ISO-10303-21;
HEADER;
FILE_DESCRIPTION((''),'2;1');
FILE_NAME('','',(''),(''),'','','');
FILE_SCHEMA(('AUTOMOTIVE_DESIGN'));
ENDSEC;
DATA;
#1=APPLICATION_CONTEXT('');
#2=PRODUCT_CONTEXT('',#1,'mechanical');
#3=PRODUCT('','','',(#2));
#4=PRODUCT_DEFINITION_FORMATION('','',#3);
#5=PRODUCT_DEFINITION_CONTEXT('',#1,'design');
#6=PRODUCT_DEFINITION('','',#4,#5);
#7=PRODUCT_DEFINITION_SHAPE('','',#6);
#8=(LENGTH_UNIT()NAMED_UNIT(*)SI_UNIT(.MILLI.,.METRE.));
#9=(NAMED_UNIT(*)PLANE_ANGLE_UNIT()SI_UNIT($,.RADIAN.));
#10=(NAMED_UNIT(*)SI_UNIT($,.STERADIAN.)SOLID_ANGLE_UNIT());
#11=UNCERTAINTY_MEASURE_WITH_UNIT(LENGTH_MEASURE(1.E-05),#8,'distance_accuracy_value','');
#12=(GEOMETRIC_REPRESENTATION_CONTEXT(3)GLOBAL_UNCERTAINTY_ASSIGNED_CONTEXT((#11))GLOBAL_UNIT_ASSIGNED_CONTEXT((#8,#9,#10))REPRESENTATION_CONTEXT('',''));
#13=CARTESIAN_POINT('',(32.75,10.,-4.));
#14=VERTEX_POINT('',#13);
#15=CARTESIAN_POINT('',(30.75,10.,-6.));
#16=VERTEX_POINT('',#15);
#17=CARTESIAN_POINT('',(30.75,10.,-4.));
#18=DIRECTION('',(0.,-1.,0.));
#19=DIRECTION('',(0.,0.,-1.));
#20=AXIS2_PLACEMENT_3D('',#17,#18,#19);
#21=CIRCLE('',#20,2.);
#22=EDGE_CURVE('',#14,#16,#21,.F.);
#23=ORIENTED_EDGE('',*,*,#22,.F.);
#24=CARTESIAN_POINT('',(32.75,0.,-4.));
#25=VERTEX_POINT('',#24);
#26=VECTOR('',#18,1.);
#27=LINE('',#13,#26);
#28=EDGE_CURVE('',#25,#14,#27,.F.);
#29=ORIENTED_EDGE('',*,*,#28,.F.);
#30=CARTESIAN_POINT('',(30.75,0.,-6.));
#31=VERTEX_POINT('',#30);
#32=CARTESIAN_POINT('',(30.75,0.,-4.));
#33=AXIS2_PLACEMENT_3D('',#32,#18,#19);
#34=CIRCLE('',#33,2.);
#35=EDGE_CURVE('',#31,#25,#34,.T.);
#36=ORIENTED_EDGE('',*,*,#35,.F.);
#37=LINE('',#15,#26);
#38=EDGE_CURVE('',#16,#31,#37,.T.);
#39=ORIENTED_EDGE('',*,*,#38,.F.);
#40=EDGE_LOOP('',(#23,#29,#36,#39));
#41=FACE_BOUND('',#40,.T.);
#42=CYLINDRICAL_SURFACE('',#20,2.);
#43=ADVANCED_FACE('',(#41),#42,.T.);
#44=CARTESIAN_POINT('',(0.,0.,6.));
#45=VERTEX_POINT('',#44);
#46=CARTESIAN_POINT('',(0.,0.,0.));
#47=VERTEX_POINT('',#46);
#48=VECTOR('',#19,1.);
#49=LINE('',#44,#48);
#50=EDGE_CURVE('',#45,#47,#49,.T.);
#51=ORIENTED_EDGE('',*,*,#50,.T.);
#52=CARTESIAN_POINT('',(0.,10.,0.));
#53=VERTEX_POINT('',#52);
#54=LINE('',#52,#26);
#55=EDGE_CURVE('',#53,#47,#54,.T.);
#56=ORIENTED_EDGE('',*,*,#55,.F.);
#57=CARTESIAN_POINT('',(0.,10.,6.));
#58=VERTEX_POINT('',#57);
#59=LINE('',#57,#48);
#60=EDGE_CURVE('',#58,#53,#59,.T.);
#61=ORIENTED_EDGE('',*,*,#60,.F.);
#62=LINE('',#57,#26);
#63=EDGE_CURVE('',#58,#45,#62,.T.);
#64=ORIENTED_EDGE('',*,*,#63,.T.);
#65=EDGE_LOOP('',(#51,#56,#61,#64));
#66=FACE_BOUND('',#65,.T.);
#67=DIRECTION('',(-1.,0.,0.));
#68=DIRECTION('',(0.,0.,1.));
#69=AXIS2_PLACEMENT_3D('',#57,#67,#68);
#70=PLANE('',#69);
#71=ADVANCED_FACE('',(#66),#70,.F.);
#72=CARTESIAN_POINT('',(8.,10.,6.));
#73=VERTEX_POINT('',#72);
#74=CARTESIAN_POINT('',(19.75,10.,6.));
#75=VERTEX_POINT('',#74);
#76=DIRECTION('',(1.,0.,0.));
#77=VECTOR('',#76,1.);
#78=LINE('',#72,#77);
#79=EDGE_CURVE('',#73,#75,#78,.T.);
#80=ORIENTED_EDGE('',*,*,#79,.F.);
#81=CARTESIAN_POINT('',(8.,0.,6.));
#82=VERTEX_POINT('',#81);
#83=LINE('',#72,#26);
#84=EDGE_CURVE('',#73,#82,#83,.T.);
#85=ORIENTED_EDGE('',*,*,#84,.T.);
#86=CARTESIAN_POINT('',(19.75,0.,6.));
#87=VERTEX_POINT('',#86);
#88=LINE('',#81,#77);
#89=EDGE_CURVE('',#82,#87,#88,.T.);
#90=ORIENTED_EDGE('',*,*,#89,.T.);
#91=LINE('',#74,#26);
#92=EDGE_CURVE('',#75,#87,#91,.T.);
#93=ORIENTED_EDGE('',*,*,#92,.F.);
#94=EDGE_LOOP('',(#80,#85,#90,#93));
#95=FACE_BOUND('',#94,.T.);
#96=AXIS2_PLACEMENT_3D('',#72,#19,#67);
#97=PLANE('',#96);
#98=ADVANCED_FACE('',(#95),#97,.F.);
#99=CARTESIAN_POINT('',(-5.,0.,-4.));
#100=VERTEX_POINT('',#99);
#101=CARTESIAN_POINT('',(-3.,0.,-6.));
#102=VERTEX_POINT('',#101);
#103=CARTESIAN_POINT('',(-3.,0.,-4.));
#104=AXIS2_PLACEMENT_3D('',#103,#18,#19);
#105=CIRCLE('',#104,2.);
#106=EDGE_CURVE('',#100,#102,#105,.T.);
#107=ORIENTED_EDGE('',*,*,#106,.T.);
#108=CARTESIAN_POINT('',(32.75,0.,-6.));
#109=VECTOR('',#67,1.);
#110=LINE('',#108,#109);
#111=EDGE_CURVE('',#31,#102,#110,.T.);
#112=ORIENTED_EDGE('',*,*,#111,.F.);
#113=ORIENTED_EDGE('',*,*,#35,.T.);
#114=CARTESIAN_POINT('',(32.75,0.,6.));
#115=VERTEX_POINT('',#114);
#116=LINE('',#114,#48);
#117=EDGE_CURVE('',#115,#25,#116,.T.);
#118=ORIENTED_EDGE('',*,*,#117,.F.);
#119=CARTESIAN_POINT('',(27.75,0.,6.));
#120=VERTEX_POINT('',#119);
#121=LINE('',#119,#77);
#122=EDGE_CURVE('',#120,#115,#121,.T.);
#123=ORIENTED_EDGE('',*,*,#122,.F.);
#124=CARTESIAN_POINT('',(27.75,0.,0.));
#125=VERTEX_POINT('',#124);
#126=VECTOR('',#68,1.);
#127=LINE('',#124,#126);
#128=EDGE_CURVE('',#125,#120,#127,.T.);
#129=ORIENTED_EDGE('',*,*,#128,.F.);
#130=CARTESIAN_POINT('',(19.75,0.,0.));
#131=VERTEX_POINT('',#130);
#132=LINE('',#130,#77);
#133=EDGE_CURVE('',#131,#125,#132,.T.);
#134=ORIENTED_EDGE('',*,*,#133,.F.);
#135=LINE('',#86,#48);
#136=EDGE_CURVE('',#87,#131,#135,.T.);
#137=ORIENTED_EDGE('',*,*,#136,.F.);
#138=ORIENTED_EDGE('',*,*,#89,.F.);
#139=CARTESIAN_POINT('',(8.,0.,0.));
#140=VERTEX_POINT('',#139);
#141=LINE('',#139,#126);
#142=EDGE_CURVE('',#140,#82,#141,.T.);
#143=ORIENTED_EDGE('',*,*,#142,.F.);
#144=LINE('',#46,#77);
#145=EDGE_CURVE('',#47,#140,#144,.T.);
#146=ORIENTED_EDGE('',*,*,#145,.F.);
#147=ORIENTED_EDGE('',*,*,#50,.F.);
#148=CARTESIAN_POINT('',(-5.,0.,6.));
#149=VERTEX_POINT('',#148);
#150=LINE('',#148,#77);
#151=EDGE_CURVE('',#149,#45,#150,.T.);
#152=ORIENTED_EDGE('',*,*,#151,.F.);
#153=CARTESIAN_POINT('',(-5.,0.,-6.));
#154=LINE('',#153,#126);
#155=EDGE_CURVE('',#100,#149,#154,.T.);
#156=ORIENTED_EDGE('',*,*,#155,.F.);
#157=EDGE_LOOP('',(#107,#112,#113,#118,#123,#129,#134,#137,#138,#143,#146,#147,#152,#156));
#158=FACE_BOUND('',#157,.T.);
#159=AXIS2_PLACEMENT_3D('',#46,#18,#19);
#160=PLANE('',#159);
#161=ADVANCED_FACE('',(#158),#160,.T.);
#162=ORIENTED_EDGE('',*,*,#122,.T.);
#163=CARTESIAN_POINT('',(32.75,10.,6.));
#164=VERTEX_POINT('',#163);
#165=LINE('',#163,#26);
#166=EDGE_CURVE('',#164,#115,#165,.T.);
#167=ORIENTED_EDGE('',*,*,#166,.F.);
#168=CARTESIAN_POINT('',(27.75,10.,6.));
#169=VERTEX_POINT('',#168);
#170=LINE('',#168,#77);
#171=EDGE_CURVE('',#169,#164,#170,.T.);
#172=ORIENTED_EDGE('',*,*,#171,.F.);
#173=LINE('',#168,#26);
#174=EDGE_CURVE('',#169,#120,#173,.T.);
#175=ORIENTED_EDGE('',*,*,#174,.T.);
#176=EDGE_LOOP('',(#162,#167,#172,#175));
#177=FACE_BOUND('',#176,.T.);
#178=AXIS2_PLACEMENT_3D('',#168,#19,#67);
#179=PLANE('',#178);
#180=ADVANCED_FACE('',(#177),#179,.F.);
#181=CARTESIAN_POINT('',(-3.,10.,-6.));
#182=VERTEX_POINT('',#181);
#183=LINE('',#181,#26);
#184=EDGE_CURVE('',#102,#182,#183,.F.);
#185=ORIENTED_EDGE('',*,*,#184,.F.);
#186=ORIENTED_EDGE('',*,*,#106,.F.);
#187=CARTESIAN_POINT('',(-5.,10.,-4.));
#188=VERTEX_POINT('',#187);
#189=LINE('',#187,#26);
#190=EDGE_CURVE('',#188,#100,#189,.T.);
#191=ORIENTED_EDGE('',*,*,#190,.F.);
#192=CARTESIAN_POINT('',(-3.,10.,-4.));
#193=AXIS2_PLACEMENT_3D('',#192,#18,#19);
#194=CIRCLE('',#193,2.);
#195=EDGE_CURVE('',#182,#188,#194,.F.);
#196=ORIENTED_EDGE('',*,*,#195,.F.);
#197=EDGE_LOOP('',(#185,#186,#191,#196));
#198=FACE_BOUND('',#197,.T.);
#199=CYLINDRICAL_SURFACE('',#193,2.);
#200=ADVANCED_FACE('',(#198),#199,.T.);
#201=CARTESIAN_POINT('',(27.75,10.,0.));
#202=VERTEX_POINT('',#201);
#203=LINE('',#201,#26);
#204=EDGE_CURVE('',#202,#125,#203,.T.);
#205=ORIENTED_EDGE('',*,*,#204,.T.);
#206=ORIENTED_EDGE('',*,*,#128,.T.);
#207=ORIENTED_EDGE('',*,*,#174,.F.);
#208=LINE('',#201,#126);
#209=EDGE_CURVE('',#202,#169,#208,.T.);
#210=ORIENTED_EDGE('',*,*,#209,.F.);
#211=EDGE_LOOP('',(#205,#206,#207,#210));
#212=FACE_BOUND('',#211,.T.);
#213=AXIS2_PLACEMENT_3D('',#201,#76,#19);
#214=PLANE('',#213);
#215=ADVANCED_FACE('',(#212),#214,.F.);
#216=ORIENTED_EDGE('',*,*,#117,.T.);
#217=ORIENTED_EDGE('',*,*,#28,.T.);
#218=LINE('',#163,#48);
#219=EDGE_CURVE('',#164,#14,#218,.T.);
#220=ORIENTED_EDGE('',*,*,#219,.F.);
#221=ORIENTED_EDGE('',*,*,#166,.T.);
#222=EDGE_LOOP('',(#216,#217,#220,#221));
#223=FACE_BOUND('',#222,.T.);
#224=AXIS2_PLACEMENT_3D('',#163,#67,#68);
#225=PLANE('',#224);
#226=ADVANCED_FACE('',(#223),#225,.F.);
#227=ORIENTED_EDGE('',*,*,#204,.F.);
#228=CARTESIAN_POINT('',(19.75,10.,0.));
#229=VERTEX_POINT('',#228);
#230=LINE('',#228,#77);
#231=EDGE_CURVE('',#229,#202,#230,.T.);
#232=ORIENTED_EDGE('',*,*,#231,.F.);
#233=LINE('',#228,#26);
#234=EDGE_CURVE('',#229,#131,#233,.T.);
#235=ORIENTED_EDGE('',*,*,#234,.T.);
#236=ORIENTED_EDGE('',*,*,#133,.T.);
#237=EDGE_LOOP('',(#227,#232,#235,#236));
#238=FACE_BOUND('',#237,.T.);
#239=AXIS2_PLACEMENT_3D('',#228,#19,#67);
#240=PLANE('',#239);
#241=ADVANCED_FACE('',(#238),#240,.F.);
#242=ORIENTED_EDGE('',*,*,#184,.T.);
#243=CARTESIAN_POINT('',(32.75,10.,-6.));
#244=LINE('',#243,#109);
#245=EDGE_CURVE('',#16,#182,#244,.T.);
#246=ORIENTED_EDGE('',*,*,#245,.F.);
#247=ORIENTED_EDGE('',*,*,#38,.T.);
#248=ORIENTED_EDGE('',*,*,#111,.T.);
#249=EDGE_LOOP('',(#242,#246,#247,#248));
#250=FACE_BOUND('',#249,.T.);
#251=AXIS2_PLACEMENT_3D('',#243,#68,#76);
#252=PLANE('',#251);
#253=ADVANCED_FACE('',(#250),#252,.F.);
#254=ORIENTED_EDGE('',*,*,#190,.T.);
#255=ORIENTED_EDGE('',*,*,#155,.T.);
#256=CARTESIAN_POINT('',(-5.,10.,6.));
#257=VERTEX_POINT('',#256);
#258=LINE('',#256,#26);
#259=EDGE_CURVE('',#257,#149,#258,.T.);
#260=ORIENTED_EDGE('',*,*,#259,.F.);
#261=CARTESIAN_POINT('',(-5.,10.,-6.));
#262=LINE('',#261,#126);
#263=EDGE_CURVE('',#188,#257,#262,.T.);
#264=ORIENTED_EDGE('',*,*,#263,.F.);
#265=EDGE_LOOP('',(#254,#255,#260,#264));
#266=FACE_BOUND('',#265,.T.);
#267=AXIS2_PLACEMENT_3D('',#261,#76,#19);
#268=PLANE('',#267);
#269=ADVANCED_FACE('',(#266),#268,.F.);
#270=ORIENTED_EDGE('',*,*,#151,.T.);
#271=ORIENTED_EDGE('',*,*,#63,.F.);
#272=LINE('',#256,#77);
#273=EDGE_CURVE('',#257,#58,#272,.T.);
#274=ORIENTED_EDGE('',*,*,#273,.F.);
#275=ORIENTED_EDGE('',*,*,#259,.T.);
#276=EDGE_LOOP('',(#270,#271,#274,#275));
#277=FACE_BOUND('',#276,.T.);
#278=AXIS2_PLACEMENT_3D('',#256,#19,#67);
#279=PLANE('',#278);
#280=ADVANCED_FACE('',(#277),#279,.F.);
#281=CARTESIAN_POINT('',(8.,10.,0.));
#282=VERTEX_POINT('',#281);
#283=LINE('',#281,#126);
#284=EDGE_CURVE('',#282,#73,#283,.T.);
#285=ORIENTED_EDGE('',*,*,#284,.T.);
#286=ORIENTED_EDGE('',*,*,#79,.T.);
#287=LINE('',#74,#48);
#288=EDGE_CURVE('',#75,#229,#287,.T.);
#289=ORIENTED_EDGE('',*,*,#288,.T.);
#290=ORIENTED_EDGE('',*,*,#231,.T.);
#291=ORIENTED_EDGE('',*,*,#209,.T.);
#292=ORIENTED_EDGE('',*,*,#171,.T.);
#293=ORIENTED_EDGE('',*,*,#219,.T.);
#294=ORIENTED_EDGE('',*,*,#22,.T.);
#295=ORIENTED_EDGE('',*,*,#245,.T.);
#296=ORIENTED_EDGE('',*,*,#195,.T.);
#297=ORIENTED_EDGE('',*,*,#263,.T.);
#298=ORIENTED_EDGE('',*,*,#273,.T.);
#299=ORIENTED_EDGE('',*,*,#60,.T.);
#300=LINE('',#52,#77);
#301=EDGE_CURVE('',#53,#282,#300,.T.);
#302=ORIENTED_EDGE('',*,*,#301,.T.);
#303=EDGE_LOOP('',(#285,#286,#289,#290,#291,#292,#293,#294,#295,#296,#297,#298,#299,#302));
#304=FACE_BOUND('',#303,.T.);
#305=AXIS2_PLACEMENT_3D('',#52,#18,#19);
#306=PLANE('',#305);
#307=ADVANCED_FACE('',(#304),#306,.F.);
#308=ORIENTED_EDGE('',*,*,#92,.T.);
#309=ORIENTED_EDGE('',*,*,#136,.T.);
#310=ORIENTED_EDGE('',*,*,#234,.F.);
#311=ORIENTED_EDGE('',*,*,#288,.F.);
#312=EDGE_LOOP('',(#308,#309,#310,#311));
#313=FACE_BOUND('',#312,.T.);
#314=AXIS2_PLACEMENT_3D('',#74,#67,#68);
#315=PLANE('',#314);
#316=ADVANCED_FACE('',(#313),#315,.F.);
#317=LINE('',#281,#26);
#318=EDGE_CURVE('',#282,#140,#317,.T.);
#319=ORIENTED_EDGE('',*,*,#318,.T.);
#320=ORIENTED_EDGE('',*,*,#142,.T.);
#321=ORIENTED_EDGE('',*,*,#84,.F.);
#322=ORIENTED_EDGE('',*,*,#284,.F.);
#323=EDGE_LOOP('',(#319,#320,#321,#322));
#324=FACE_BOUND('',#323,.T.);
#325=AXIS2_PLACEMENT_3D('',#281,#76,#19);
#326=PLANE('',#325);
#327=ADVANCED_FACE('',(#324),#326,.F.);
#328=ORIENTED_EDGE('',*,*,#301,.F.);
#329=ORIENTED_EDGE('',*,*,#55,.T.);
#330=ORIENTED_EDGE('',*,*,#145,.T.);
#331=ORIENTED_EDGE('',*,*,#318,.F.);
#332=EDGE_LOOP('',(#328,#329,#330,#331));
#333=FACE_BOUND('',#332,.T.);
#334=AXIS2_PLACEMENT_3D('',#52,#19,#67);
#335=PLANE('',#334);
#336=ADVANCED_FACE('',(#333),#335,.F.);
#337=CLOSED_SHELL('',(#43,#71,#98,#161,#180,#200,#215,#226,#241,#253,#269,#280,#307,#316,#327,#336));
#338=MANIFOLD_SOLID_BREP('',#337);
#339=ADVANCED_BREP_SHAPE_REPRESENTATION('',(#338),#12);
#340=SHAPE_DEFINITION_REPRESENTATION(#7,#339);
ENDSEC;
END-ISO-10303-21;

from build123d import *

# Parameters (mm, degrees)
BOSS_EXTRUDE1_DEPTH = 10
FILLET1_R           = 2


with BuildPart() as part:
    # Sketch1 → Boss-Extrude1 (new body)
    with BuildSketch(Plane(origin=(0, 0, 0), x_dir=(1, 0, 0), z_dir=(0, 1, 0))):
        Polygon((0, 0), (8, 0), (8, -6), (19.75, -6), (19.75, 0), (27.75, 0), (27.75, -6), (32.75, -6), (32.75, 6), (-5, 6), (-5, -6), (0, -6), align=None)
    extrude(amount=BOSS_EXTRUDE1_DEPTH)

    # Fillet1
    fillet1_edges = [part.edges().sort_by_distance(p)[0] for p in [
        (-5, 5, -6),
        (32.75, 5, -6),
    ]]
    fillet(fillet1_edges, radius=FILLET1_R)


solid = part.part
